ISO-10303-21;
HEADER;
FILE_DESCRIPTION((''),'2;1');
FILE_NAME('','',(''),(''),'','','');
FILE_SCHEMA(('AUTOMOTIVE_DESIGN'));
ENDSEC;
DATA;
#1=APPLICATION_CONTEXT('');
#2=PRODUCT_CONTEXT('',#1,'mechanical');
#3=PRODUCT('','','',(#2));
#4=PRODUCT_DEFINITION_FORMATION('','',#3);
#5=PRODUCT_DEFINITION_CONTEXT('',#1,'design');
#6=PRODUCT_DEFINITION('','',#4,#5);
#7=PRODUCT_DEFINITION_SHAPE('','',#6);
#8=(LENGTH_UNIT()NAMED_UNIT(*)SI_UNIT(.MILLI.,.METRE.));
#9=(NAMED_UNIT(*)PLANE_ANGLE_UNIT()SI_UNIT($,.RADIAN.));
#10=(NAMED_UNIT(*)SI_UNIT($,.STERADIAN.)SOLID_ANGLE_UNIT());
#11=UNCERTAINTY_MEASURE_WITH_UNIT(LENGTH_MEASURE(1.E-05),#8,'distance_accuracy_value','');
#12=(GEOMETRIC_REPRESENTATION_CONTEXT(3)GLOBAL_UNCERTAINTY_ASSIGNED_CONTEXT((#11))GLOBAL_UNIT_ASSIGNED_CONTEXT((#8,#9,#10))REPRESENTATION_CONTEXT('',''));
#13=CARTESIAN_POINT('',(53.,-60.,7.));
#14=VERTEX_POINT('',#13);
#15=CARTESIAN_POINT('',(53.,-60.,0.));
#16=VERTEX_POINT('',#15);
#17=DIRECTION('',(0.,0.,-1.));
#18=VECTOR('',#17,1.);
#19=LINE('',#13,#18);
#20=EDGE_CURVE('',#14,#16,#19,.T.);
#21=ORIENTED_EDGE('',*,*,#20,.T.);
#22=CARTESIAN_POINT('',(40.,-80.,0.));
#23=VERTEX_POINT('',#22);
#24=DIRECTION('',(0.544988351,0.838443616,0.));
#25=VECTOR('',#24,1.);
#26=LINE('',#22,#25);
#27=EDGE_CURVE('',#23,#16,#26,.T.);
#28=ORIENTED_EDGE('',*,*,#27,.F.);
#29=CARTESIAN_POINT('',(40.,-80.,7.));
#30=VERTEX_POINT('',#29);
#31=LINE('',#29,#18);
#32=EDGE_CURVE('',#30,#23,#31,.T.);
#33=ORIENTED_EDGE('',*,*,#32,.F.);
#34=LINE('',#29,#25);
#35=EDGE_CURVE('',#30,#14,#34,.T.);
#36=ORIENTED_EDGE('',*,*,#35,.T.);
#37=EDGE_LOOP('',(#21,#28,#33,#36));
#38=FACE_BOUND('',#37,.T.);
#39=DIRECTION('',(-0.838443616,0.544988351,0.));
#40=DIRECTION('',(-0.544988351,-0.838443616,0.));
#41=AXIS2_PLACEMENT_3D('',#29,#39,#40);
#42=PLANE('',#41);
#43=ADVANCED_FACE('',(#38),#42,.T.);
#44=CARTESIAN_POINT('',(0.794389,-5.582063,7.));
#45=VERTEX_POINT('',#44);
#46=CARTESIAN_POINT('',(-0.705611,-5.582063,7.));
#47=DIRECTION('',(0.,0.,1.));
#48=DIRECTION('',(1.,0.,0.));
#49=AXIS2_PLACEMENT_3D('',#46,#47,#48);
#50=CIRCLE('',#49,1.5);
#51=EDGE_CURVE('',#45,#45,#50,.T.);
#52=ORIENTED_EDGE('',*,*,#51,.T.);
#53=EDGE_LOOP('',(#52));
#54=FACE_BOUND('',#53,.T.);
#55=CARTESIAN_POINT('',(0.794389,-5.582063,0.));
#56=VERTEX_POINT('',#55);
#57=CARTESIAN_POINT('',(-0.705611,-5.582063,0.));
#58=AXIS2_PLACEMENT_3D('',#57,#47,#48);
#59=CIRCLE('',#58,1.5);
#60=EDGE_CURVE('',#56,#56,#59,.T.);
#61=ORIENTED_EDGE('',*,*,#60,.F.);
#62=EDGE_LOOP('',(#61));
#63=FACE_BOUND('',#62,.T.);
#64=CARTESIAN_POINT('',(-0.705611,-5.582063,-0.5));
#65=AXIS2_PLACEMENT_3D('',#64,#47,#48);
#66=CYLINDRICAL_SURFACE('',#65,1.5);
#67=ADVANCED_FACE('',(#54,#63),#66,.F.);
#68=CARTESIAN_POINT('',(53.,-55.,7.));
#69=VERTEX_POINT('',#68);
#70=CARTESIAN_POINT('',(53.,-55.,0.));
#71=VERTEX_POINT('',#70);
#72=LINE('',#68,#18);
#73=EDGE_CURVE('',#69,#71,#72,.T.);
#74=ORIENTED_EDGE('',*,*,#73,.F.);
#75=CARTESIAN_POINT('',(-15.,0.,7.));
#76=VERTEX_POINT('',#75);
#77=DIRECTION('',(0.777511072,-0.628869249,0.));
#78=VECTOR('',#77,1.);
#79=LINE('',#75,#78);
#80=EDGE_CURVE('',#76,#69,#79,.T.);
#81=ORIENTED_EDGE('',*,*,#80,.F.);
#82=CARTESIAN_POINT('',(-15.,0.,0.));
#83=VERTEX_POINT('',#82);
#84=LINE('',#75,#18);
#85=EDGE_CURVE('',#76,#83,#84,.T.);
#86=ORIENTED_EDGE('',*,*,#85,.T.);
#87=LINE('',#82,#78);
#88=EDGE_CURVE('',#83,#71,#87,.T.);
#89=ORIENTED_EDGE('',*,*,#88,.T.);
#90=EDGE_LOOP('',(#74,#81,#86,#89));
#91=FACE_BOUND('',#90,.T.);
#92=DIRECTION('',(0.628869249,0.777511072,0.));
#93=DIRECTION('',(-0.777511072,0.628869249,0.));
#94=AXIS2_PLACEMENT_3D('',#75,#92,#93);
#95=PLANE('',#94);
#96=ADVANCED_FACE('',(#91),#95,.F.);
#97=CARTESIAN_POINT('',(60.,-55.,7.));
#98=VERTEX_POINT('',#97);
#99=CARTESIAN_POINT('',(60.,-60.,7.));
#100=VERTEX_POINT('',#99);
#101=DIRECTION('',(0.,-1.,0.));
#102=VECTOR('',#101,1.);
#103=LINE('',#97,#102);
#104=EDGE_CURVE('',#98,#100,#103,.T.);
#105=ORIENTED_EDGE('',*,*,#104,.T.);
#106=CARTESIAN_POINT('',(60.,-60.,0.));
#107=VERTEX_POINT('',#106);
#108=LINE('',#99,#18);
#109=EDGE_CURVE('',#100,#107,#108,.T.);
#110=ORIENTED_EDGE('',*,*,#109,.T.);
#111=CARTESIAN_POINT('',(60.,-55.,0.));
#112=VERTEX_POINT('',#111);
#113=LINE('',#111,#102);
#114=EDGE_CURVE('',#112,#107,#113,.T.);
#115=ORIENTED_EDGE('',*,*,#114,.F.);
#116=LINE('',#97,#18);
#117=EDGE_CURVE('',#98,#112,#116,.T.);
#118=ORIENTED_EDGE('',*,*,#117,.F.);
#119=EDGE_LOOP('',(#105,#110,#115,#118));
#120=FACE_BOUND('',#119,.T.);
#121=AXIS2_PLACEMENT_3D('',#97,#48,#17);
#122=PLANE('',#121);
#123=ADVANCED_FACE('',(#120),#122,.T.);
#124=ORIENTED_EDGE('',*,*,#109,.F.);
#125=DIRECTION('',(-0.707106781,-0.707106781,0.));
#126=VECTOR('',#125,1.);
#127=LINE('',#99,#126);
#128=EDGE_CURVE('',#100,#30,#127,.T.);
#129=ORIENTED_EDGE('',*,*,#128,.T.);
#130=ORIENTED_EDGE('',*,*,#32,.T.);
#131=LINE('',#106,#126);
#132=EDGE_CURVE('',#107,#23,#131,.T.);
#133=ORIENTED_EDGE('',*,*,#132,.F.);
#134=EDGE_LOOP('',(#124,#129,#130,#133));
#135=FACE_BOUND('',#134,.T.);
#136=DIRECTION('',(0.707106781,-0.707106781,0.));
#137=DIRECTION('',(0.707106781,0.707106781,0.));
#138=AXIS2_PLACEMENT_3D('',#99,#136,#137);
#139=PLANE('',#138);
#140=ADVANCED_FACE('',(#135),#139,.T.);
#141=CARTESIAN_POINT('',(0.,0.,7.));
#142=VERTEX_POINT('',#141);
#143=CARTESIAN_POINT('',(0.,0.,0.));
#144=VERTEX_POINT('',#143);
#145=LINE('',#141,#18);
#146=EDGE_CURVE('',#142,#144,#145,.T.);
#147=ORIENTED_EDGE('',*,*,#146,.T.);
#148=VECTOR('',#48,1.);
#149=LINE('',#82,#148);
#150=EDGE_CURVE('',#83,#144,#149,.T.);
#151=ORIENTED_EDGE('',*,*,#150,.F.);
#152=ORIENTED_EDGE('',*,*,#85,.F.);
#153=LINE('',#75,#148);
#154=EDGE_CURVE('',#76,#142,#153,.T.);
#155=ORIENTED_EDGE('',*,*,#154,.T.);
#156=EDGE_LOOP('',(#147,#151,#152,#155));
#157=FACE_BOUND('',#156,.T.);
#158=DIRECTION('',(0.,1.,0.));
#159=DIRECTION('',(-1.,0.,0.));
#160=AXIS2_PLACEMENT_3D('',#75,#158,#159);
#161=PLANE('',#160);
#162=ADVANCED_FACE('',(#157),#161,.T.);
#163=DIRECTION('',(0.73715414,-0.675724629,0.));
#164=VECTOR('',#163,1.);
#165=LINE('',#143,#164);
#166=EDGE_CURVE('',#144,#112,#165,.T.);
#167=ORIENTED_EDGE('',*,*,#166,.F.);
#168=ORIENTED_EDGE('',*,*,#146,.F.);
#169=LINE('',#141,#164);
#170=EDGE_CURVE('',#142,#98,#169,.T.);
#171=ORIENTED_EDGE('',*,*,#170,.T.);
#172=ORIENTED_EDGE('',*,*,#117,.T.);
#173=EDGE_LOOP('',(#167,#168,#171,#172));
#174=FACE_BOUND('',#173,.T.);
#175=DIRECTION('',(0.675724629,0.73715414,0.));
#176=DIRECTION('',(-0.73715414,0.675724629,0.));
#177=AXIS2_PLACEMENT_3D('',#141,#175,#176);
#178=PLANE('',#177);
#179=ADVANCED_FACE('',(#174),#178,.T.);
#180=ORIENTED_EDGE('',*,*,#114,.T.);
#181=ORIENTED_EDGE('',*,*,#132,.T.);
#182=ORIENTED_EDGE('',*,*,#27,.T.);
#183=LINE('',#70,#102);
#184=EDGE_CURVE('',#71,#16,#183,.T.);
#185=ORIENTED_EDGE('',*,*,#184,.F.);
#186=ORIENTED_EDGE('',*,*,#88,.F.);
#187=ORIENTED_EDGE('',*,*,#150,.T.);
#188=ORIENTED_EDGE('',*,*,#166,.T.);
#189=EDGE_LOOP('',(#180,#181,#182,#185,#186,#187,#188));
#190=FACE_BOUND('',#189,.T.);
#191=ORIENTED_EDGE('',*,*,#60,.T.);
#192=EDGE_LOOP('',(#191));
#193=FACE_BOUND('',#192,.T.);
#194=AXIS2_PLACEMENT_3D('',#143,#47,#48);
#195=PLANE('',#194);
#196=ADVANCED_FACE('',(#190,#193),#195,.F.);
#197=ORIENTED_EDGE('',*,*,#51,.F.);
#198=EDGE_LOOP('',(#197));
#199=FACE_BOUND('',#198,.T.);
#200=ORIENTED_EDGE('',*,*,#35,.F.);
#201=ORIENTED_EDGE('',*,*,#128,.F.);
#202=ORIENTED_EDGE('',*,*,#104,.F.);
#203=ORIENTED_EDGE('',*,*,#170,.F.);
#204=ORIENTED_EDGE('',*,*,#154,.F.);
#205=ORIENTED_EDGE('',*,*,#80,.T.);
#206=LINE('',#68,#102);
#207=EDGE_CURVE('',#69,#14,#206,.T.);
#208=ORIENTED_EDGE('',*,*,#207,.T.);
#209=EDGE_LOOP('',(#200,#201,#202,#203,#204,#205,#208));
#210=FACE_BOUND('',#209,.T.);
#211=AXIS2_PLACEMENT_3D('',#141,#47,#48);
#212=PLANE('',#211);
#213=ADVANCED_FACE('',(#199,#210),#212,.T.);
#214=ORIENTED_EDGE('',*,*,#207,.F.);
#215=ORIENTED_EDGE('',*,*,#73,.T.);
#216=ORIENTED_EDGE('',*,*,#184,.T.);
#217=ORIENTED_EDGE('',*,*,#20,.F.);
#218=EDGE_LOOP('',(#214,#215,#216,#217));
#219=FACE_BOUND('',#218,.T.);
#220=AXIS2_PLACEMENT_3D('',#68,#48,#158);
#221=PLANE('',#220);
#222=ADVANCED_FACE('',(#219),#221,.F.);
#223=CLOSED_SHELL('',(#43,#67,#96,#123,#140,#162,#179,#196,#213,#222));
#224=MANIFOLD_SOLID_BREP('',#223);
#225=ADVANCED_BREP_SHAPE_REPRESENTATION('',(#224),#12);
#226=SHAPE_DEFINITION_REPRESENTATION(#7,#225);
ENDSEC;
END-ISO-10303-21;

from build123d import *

# Parameters (mm, degrees)
BOSS_EXTRUDE1_DEPTH = 7
SKETCH2_R           = 1.5
CUT_EXTRUDE3_DEPTH  = 7.5


with BuildPart() as part:
    # Sketch1 → Boss-Extrude1 (new body)
    with BuildSketch(Plane.XY):
        Polygon((0, 0), (60, -55), (60, -60), (40, -80), (53, -60), (53, -55), (-15, 0), align=None)
    extrude(amount=BOSS_EXTRUDE1_DEPTH)

    # Sketch2 → Cut-Extrude3 (cut, symmetric)
    with BuildSketch(Plane.XY.offset(7)):
        with Locations((-0.705610521, -5.582063241)):
            Circle(SKETCH2_R)
    extrude(amount=CUT_EXTRUDE3_DEPTH, both=True, mode=Mode.SUBTRACT)


solid = part.part
